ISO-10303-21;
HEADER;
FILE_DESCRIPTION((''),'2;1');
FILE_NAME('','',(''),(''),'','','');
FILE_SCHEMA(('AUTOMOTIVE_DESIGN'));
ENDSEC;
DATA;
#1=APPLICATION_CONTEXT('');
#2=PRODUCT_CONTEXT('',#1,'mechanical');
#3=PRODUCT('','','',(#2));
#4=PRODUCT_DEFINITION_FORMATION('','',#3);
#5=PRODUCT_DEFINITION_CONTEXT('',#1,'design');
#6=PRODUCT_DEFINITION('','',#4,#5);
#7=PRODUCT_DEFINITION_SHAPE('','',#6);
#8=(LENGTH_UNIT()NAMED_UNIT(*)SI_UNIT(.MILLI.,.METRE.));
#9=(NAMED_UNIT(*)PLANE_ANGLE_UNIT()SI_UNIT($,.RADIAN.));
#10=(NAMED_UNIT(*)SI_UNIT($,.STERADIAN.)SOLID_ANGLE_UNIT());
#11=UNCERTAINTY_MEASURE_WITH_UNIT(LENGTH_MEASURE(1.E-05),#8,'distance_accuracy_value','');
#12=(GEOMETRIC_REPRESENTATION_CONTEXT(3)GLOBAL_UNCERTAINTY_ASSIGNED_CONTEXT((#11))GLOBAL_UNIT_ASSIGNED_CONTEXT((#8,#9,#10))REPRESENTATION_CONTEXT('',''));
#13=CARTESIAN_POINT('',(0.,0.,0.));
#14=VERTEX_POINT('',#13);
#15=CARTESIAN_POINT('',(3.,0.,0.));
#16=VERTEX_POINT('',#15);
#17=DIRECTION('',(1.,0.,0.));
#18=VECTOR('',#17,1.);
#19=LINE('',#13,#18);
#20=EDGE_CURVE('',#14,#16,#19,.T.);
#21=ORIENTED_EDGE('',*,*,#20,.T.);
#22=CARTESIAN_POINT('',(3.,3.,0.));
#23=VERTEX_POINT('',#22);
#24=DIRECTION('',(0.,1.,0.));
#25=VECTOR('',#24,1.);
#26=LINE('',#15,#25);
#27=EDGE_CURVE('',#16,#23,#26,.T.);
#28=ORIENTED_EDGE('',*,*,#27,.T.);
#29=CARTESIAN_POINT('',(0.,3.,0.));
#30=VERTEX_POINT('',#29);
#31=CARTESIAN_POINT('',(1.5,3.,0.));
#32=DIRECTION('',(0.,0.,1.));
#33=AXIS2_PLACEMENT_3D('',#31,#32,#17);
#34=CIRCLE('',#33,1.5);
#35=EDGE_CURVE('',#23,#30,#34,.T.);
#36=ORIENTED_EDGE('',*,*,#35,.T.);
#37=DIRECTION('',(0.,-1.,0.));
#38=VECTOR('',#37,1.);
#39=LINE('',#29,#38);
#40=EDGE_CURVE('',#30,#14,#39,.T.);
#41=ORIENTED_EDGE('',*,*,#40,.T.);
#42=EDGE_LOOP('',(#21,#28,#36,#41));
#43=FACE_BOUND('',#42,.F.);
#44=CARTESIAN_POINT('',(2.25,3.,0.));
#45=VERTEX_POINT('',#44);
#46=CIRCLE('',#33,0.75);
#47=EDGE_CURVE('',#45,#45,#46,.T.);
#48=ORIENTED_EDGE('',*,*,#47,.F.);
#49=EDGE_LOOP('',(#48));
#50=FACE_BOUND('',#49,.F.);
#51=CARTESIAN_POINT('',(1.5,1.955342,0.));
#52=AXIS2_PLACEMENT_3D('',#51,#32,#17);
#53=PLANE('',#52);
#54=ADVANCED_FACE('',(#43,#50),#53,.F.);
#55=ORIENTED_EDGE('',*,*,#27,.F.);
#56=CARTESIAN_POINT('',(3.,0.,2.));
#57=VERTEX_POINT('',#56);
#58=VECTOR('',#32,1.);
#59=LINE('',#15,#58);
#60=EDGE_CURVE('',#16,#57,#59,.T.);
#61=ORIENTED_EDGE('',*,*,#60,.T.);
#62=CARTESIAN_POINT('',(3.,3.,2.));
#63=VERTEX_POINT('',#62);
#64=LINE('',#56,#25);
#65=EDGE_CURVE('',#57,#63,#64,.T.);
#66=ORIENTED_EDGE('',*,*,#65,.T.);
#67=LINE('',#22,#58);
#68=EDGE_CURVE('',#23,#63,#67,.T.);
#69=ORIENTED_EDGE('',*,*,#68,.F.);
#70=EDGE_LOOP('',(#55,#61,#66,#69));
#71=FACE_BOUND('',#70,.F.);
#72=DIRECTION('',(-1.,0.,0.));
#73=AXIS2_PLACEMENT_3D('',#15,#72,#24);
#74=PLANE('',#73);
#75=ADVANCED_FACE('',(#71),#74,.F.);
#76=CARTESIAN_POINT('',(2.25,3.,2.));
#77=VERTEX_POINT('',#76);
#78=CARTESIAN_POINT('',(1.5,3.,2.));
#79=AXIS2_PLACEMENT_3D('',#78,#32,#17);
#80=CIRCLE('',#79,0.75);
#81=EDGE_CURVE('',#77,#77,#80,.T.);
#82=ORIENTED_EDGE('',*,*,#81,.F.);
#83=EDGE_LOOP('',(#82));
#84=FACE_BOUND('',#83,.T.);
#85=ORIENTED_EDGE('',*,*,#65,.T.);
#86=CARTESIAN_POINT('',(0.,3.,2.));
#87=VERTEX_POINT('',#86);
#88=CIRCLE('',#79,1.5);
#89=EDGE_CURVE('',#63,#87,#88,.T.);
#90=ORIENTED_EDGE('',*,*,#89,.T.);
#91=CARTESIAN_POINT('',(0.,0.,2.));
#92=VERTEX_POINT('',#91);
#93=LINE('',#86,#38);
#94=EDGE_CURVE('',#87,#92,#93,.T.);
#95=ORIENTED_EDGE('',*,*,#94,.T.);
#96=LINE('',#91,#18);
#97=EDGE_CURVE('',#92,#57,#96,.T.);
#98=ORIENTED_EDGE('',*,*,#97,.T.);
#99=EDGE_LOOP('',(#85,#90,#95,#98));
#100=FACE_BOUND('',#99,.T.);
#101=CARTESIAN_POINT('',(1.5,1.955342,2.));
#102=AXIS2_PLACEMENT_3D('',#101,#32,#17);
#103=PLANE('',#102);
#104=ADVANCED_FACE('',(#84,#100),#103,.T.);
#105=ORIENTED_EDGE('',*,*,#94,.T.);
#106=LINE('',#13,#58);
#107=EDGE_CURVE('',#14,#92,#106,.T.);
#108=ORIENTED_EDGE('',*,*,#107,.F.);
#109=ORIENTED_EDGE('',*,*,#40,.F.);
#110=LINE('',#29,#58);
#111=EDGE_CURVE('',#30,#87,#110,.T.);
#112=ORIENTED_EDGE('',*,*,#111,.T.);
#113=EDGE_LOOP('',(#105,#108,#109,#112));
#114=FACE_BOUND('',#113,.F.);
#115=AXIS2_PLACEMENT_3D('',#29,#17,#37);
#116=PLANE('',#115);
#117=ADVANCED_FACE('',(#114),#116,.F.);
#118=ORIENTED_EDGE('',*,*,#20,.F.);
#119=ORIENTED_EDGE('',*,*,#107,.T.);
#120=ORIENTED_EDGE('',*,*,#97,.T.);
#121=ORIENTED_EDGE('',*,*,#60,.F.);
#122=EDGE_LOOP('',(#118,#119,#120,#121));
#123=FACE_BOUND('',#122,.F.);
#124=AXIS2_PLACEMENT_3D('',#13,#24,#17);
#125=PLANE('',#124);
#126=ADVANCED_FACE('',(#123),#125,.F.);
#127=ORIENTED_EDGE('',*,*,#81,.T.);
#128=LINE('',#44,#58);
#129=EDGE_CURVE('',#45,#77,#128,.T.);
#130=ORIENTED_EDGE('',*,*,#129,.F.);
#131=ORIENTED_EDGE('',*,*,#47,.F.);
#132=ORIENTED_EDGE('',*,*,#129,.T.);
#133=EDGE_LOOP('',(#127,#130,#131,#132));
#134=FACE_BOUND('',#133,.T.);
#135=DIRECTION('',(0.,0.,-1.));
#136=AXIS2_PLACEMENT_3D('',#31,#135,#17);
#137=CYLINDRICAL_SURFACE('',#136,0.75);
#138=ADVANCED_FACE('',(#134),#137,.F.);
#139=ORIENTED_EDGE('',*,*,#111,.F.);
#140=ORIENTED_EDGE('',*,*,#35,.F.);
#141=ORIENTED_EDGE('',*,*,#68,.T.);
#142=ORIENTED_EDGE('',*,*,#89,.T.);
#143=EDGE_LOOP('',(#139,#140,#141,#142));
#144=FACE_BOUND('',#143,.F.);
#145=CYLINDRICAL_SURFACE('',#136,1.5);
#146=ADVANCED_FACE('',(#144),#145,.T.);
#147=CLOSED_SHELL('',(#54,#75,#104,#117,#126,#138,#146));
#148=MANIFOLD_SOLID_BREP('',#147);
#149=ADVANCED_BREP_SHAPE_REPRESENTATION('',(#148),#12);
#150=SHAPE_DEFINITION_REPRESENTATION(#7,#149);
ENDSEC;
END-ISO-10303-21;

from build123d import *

# Parameters (mm, degrees)
F0_R     = 0.75
F1_DEPTH = 2


with BuildPart() as f1:
    # F0 (on Top) → F1 (new body)
    with BuildSketch(Plane.XY):
        with BuildLine():
            Line((0, 3), (0, 0))
            Line((0, 0), (3, 0))
            Line((3, 0), (3, 3))
            ThreePointArc((3, 3), (1.5, 4.5), (0, 3))
        make_face()
        with Locations((1.5, 3)):
            Circle(F0_R, mode=Mode.SUBTRACT)
    extrude(amount=F1_DEPTH)


solid = f1.part
